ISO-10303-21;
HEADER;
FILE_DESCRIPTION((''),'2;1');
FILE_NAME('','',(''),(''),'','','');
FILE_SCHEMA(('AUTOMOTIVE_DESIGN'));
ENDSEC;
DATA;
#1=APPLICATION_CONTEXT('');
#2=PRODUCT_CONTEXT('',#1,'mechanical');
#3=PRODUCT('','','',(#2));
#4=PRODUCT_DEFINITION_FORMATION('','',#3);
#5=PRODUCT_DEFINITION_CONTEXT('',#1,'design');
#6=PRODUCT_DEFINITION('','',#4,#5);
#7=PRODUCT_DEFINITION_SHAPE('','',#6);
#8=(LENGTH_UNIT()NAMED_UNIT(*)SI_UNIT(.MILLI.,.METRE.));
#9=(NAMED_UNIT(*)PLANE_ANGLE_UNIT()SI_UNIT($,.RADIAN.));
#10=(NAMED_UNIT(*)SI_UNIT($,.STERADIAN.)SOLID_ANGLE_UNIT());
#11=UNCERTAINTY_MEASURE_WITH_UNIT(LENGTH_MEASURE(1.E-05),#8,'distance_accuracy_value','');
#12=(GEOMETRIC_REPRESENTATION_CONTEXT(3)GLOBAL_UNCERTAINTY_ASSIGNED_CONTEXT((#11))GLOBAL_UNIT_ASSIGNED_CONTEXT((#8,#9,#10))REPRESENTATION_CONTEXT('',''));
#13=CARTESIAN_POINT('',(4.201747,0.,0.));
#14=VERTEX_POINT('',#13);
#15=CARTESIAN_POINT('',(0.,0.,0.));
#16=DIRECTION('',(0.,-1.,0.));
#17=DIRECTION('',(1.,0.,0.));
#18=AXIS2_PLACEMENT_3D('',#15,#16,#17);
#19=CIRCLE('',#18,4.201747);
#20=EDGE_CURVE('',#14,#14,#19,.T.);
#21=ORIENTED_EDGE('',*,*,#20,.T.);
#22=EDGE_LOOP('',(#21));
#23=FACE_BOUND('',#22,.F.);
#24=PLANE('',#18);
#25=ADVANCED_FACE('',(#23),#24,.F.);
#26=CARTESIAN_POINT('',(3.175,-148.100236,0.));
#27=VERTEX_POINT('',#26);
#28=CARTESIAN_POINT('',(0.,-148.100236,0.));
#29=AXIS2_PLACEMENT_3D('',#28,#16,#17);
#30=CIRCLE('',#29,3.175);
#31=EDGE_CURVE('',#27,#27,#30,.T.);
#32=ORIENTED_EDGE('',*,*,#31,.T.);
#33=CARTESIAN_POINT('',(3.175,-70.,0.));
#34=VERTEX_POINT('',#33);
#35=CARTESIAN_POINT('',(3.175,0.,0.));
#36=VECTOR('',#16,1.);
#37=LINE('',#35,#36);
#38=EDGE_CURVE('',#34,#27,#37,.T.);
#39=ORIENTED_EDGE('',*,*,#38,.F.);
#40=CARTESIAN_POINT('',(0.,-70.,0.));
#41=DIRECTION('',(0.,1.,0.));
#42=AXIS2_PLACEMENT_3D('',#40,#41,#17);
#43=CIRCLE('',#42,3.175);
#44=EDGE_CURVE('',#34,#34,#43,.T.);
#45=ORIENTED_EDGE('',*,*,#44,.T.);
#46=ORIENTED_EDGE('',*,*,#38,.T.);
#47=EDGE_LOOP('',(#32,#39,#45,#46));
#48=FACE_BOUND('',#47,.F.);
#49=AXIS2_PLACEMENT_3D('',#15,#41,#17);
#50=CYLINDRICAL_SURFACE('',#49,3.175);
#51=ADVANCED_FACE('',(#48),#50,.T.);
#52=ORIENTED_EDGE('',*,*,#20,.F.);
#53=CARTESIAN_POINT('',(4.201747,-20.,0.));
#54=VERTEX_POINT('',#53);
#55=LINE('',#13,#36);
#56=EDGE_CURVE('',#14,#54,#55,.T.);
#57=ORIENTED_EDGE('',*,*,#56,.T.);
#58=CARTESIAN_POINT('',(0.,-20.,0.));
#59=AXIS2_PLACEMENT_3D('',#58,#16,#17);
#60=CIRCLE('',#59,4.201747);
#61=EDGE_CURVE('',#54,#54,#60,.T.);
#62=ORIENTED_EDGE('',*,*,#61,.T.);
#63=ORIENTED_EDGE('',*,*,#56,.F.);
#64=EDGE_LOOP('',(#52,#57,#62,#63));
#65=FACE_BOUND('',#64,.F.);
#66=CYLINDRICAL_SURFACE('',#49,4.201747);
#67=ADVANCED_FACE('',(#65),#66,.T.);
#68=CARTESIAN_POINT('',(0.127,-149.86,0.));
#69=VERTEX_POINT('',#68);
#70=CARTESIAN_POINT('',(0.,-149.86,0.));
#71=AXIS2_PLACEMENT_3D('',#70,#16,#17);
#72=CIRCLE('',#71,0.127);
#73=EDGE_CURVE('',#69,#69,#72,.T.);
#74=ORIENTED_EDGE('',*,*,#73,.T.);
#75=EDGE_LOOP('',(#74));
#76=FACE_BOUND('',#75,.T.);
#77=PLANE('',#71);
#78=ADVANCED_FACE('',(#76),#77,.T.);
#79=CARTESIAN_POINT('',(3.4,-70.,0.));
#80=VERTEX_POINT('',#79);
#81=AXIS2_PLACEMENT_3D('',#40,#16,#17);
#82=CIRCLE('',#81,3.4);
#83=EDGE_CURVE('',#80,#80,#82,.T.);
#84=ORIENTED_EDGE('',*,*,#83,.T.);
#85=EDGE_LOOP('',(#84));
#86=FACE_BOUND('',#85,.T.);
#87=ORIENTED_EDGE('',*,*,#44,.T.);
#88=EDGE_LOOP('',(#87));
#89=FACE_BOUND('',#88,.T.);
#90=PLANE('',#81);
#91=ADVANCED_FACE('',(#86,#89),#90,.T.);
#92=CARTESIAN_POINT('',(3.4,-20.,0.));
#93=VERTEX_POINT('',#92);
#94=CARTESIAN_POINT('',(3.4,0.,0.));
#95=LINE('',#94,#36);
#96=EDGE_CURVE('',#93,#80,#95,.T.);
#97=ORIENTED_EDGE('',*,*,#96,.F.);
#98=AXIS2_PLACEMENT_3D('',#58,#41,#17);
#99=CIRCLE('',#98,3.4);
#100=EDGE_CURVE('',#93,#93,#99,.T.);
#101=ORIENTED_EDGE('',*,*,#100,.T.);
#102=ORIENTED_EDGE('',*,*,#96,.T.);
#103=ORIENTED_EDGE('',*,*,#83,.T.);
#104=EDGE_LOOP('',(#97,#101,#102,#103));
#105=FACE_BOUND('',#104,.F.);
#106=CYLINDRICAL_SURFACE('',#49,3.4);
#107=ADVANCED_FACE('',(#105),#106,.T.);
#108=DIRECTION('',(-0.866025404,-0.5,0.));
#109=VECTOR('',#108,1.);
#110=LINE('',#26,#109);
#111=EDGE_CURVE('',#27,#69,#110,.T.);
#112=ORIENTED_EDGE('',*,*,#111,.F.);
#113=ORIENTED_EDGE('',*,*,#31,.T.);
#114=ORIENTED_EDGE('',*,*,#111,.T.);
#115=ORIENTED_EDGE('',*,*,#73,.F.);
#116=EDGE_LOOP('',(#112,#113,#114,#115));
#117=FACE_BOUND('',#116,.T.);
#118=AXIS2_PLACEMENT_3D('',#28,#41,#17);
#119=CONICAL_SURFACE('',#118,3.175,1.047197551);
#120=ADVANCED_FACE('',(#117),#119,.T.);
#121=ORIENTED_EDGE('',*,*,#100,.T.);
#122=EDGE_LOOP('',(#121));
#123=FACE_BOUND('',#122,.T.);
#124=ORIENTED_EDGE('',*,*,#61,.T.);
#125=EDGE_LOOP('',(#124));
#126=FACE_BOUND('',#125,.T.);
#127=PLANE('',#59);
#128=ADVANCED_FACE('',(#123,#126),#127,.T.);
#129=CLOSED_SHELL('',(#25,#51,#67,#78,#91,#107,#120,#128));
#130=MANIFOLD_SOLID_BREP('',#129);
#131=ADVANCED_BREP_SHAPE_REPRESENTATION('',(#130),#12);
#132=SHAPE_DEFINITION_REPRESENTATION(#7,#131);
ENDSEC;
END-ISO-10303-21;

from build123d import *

# Parameters (mm, degrees)
F0_R     = 3.175
F1_DEPTH = 149.86
F2_SIZE2 = 3.048
F2_SIZE  = 1.7597636205
F3_R     = 3.4
F4_DEPTH = 70
F5_R     = 4.2017465395
F6_DEPTH = 20


with BuildPart() as f1:
    # F0 (on Front) → F1 (new body)
    with BuildSketch(Plane.XZ):
        Circle(F0_R)
    extrude(amount=F1_DEPTH)

    # F2
    f2_edges = [f1.edges().sort_by_distance(p)[0] for p in [
        (-3.175, -149.86, 0),
    ]]
    f2_side = f1.faces().sort_by_distance((-3.175, -74.93, 0))[0]
    chamfer(f2_edges, length=F2_SIZE, length2=F2_SIZE2, reference=f2_side)

    # F3 (on Front) → F4 (join)
    with BuildSketch(Plane.XZ):
        Circle(F3_R)
    extrude(amount=F4_DEPTH)

    # F5 (on Front) → F6 (join)
    with BuildSketch(Plane.XZ):
        Circle(F5_R)
    extrude(amount=F6_DEPTH)


solid = f1.part
